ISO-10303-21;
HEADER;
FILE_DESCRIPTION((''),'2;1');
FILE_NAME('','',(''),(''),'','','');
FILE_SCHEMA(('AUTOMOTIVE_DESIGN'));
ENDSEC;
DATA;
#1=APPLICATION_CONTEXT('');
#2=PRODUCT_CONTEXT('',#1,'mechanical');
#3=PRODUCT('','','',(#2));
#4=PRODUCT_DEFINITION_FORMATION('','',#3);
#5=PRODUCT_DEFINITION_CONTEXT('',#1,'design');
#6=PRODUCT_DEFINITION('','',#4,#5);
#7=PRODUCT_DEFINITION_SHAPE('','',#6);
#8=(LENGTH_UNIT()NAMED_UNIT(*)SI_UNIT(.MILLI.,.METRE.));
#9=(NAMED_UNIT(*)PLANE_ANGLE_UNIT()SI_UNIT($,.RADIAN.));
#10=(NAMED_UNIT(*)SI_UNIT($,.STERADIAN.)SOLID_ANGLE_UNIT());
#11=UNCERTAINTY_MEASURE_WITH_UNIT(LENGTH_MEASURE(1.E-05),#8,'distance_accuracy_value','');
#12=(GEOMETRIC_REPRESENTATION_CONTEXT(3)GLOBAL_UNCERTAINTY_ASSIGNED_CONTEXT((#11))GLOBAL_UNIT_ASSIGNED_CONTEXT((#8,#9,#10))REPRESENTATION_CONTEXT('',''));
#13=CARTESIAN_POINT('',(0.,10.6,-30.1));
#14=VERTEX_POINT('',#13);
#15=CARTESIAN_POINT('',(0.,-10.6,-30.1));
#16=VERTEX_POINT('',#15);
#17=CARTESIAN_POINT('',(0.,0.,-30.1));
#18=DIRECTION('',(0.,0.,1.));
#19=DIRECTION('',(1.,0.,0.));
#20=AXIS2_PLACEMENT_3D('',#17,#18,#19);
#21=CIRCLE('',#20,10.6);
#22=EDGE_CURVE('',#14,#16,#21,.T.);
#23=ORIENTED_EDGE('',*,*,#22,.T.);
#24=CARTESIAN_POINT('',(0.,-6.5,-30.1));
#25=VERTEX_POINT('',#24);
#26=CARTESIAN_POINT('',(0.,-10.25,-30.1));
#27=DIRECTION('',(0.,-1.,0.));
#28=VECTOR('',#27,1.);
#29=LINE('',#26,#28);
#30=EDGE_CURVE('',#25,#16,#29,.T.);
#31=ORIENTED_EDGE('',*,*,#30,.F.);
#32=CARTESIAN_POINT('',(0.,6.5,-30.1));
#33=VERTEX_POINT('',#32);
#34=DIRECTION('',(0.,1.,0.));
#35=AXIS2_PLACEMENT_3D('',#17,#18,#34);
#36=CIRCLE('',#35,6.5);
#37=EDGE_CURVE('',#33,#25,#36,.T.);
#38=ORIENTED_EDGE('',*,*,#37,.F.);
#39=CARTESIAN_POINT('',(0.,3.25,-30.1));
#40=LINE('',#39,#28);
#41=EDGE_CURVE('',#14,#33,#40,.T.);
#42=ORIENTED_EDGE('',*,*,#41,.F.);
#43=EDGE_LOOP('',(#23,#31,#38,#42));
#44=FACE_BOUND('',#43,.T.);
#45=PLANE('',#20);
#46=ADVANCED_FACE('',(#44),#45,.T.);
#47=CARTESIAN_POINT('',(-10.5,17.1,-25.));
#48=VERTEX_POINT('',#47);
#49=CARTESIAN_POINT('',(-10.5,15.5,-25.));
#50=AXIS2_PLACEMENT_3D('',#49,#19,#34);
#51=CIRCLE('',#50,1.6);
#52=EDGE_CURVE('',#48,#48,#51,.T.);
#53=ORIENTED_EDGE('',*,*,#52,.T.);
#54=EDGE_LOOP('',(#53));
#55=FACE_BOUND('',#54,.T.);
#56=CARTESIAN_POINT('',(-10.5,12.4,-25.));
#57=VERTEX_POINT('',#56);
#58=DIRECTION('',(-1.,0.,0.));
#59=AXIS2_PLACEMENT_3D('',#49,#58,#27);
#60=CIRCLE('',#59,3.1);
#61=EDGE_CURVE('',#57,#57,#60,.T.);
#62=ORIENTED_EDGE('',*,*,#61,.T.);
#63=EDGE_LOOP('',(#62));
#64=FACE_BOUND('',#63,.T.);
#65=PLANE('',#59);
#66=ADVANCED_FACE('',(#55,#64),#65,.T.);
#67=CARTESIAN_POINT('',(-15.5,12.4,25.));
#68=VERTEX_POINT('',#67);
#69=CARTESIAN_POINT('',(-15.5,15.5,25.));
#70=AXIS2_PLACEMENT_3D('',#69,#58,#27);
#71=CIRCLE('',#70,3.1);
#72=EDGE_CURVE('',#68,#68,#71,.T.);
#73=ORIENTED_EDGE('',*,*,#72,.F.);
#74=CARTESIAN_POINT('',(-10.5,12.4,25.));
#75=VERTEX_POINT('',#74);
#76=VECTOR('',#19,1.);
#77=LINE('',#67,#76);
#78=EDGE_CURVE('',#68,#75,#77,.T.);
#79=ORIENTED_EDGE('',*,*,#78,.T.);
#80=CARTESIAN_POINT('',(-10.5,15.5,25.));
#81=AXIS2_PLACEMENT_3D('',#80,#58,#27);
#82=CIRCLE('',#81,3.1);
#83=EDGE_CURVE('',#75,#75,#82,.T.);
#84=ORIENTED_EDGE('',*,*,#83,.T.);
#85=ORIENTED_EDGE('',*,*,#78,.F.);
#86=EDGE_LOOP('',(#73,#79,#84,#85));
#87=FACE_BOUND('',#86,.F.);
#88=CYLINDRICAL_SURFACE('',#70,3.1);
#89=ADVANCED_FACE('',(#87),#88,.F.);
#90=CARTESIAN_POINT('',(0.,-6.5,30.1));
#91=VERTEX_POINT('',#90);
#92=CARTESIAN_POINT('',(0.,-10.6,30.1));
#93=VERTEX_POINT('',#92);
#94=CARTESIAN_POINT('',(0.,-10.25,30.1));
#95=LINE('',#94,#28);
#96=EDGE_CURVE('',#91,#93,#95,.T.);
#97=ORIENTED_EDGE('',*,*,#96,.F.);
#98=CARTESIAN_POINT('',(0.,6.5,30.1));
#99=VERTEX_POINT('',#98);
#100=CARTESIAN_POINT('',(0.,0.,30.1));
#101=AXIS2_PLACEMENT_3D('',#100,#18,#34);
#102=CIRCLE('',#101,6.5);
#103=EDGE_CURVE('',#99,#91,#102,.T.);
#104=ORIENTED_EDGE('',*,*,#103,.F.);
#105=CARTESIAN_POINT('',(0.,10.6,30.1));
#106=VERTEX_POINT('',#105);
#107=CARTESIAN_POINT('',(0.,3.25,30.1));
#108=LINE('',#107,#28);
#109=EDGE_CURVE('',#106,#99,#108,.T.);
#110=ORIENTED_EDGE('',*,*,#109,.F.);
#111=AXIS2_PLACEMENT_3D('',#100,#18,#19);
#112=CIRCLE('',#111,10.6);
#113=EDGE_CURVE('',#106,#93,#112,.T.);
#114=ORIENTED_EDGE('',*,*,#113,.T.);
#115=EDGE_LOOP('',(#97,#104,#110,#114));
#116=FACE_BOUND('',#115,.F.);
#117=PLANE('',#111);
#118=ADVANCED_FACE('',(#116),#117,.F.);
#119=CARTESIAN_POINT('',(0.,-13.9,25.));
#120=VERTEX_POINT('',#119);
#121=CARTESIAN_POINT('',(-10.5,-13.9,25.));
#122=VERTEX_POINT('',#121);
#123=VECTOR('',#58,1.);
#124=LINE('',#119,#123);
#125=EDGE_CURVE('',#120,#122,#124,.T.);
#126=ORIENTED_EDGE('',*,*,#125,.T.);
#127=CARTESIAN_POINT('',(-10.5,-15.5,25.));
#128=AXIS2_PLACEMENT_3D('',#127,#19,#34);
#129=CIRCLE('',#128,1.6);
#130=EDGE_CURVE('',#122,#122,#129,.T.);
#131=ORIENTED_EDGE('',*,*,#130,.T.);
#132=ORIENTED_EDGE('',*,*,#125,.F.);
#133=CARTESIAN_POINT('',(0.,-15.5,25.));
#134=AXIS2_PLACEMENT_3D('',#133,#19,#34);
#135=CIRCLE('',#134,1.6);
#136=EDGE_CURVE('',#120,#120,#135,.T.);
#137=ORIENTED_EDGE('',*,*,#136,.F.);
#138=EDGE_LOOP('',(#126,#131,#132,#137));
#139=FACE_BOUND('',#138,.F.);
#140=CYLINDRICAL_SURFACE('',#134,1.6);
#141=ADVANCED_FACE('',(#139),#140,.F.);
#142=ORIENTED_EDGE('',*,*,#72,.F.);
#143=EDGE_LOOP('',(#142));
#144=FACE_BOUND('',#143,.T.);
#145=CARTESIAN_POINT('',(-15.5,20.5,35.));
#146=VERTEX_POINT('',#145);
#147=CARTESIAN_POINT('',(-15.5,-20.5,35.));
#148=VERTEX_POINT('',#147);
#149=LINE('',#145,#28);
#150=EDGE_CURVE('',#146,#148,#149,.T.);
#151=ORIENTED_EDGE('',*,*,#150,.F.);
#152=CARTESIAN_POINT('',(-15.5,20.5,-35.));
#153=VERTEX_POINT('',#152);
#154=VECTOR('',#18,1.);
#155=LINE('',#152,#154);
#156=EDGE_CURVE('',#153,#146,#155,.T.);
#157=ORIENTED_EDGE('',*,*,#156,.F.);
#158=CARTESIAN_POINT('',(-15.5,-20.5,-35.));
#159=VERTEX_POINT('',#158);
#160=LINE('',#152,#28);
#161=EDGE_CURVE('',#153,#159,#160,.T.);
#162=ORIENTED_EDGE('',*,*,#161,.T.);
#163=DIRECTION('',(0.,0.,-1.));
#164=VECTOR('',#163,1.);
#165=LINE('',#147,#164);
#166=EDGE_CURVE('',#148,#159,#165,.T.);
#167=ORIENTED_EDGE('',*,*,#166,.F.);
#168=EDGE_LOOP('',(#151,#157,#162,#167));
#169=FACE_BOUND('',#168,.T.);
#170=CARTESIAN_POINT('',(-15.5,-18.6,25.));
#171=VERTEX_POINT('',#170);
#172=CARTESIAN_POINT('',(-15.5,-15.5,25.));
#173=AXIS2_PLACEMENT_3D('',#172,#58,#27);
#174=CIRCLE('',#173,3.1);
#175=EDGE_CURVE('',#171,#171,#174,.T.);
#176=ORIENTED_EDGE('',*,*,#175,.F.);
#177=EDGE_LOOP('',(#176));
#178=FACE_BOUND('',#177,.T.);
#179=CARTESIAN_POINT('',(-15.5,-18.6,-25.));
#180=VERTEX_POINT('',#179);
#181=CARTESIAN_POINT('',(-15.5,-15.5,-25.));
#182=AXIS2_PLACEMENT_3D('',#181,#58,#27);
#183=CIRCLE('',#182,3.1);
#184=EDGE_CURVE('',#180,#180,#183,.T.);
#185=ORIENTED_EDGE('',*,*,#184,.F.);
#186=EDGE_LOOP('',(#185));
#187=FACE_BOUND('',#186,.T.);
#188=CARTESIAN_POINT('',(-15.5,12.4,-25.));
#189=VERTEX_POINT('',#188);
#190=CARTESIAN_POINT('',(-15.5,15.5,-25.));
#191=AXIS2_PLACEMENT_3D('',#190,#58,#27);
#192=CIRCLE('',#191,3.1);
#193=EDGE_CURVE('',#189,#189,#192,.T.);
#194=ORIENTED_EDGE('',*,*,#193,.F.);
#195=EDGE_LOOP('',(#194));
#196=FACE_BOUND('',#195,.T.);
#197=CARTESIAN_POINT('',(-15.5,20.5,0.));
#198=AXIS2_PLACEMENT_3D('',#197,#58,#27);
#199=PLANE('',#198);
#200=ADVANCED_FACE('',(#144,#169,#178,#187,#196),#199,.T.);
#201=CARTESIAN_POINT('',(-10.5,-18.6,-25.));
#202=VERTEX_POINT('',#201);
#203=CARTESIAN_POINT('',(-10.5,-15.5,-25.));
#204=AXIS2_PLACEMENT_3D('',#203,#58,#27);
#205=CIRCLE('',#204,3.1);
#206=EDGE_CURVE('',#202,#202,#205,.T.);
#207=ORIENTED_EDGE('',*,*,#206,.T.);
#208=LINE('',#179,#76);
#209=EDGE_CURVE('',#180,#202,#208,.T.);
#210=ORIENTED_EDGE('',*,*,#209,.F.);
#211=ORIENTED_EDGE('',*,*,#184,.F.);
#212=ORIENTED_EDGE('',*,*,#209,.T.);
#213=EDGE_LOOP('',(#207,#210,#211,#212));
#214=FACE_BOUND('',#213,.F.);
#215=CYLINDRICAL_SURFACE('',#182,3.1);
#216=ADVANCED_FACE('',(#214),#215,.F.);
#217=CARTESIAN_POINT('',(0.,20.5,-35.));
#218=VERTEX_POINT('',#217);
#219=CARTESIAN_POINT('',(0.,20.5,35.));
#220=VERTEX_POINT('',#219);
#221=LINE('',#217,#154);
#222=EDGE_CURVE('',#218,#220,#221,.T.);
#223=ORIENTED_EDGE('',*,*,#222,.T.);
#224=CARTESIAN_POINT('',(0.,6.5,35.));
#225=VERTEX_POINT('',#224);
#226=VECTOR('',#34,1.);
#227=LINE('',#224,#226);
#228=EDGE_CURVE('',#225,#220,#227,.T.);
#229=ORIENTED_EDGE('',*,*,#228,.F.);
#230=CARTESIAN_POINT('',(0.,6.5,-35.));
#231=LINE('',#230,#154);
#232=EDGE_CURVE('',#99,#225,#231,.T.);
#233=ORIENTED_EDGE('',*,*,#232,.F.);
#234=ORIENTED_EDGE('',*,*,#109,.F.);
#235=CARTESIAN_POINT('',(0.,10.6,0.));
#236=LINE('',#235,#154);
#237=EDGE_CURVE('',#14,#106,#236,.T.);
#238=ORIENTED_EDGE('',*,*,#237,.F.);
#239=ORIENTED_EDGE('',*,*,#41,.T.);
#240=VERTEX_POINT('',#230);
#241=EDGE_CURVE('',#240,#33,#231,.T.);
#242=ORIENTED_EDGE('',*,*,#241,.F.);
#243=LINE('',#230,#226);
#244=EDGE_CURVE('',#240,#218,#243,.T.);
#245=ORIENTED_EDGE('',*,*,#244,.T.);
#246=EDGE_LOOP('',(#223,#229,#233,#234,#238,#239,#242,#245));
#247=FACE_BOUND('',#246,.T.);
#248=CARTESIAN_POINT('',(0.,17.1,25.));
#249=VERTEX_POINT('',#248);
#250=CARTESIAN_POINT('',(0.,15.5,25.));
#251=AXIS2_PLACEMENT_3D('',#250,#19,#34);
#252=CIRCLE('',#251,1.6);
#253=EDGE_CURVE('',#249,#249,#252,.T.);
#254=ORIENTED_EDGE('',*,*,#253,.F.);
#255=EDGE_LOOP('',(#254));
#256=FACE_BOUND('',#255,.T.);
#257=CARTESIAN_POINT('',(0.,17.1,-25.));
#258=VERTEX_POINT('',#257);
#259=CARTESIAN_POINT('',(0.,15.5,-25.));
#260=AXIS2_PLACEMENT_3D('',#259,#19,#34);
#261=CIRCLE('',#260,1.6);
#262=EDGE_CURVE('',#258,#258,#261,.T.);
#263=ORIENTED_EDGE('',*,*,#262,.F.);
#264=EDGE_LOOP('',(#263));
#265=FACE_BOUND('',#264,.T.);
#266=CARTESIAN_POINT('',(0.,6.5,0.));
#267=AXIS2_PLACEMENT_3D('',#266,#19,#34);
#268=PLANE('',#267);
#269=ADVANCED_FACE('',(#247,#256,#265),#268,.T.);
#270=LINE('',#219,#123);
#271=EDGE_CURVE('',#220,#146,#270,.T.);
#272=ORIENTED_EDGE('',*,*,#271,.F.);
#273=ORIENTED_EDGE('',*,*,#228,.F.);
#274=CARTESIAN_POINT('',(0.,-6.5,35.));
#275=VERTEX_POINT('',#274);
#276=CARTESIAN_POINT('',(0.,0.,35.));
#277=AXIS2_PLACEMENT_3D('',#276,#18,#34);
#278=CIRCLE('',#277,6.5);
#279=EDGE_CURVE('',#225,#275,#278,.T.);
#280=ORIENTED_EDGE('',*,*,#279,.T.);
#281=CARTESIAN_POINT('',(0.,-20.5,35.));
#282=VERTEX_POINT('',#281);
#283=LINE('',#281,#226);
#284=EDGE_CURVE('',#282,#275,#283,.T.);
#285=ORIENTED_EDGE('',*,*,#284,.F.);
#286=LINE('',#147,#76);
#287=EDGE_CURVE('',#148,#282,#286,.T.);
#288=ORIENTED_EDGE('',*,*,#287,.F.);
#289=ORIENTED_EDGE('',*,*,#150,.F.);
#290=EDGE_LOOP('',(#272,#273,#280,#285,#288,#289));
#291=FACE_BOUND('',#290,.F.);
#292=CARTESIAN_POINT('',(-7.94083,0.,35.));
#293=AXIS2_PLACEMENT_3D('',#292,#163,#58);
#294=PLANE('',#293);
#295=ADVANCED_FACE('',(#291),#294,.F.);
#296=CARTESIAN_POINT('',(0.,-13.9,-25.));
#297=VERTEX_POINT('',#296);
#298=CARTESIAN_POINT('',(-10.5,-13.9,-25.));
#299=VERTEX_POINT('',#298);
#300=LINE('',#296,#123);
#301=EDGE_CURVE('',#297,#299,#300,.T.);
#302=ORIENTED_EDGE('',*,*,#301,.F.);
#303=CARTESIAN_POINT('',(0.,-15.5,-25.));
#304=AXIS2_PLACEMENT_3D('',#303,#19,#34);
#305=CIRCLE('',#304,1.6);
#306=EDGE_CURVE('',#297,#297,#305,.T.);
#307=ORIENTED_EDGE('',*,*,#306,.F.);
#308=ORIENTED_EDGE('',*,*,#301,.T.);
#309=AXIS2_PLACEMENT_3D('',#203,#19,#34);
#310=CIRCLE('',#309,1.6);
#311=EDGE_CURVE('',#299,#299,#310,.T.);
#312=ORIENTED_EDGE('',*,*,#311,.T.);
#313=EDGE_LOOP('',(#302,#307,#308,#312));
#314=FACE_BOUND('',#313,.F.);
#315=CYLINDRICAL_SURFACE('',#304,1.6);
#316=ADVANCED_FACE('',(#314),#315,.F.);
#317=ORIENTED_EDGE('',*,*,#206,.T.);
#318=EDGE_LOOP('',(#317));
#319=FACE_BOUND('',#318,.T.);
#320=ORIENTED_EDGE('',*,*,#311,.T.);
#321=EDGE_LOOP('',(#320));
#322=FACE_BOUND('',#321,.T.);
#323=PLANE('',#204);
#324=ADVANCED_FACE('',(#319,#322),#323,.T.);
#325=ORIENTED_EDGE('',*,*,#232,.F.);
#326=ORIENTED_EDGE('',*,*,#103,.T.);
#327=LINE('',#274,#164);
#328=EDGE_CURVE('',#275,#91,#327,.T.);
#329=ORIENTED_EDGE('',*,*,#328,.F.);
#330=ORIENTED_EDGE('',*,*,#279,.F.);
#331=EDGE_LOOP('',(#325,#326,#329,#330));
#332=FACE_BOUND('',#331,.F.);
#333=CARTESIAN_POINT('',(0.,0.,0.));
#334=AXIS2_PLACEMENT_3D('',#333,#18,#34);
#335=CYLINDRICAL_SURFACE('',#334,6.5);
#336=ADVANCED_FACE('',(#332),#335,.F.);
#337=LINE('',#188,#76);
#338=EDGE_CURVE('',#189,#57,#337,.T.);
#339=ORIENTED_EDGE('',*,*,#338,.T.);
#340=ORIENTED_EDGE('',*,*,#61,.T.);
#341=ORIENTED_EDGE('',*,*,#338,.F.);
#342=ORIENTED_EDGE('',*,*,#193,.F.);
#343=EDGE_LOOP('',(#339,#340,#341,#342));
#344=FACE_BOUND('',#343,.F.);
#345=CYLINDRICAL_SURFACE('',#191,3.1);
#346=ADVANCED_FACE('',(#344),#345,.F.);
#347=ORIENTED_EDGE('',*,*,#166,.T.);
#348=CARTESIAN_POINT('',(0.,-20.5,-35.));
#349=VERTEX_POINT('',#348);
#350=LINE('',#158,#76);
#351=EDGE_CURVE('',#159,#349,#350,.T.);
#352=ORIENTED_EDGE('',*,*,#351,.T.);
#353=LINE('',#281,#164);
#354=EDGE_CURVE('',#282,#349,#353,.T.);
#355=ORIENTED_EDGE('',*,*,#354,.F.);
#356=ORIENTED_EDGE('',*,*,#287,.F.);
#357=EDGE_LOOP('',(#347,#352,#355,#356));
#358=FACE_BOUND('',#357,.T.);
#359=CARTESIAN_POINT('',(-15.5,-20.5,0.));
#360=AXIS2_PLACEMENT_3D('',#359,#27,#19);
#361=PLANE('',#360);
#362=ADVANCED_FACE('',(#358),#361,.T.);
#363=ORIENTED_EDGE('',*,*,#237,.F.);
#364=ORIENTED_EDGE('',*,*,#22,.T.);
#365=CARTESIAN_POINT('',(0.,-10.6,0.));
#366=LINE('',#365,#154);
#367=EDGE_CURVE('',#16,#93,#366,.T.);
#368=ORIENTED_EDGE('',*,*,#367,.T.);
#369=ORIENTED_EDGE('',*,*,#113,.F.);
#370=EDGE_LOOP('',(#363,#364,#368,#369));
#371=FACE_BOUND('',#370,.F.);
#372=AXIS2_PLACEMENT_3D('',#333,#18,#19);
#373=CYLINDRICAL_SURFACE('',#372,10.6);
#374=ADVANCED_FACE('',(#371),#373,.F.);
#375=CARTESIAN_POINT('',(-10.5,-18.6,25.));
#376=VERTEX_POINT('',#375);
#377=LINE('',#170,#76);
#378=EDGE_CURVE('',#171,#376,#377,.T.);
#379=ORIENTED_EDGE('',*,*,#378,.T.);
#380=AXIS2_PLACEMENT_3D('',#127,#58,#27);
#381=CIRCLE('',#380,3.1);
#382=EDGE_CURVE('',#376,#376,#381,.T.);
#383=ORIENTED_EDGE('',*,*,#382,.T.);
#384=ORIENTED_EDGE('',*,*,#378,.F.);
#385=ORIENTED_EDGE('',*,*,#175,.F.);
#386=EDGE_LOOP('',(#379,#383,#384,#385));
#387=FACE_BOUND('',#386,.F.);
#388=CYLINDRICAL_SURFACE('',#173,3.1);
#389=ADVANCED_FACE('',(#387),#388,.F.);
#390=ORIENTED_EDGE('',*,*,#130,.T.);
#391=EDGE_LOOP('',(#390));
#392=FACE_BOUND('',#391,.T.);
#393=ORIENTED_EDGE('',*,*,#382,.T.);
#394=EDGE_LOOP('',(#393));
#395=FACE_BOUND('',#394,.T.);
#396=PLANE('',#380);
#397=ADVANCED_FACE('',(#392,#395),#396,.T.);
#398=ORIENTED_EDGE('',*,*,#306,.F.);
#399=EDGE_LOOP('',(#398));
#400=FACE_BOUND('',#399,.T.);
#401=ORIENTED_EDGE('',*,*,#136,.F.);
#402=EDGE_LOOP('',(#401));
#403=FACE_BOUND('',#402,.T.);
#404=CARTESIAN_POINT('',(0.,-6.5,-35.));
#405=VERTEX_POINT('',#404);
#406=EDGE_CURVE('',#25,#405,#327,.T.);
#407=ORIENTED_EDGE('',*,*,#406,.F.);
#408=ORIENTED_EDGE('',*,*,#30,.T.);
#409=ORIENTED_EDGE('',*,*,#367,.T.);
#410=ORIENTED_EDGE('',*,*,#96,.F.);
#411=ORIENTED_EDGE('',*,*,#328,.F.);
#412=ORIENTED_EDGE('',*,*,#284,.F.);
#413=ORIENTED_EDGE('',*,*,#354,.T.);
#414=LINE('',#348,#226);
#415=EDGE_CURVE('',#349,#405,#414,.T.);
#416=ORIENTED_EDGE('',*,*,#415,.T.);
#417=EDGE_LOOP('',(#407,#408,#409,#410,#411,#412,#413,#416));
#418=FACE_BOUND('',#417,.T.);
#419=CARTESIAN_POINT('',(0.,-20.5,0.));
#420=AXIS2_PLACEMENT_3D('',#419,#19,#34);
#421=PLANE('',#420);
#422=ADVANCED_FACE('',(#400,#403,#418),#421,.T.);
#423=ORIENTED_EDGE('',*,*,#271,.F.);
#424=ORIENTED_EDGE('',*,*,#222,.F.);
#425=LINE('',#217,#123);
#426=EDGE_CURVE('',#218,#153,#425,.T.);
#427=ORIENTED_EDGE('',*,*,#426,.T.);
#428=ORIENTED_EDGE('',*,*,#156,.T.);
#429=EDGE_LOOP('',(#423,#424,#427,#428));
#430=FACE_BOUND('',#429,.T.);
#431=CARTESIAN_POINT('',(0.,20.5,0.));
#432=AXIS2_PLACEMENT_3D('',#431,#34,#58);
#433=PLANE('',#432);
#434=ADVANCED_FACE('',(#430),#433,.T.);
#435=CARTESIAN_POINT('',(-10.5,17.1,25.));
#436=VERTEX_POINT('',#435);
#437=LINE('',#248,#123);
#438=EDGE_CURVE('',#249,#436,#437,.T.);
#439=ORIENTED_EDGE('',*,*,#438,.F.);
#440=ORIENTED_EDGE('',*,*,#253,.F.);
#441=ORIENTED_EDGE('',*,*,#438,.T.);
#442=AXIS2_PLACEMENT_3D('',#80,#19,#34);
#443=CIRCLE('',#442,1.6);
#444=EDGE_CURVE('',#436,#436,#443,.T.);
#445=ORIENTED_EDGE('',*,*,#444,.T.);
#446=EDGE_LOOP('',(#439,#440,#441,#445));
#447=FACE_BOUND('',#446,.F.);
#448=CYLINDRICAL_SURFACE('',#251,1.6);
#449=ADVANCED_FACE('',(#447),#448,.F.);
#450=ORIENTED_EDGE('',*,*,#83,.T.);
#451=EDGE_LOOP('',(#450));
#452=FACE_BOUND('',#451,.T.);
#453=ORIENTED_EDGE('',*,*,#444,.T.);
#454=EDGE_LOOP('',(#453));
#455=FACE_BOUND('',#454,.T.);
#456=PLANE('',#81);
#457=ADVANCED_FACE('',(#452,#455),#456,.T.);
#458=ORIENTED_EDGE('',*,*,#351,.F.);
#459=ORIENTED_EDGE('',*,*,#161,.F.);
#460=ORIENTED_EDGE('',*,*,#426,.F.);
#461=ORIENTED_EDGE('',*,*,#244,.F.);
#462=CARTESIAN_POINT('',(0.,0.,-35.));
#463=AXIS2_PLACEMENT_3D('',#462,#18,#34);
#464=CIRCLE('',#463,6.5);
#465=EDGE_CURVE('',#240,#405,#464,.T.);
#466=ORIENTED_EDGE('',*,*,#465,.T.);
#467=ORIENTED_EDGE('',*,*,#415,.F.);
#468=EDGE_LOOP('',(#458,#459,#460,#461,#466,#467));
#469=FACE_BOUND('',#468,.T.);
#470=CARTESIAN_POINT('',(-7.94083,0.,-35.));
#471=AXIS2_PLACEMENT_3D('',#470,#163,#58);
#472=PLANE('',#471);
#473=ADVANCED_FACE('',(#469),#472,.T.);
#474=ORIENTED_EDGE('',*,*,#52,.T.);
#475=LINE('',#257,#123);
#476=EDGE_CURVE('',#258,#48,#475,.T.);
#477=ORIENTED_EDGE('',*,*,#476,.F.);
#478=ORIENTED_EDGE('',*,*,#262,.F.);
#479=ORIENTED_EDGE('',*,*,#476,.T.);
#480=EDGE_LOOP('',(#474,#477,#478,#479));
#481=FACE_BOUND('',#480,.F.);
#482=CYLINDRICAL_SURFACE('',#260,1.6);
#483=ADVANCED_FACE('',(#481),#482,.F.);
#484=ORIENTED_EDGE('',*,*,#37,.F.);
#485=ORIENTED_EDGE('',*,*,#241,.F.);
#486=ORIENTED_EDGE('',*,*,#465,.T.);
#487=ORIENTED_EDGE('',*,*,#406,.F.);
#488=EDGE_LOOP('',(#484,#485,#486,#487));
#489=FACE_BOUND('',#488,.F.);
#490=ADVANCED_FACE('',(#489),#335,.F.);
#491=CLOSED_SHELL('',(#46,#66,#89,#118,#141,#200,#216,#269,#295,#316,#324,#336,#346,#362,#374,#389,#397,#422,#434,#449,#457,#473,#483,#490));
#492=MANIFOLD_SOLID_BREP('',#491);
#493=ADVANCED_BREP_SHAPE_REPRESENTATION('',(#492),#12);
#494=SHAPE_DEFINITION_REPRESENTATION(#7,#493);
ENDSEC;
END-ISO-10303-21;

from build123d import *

# Parameters (mm, degrees)
PAD_DEPTH       = 35
SKETCH001_R     = 10.6
POCKET_DEPTH    = 30.1
SKETCH002_R     = 1.6
POCKET001_DEPTH = 15.501
SKETCH003_R     = 3.1
POCKET002_DEPTH = 5


with BuildPart() as part:
    # Sketch → Pad (new body, symmetric)
    with BuildSketch(Plane.XY):
        with BuildLine():
            ThreePointArc((0, 6.5), (-6.5, 0), (0, -6.5))
            Line((0, -20.5), (0, -6.5))
            Line((-15.5, -20.5), (0, -20.5))
            Line((-15.5, 20.5), (-15.5, -20.5))
            Line((0, 20.5), (-15.5, 20.5))
            Line((0, 6.5), (0, 20.5))
        make_face()
    extrude(amount=PAD_DEPTH, both=True)

    # Sketch001 → Pocket (cut, symmetric)
    with BuildSketch(Plane.XY):
        Circle(SKETCH001_R)
    extrude(amount=POCKET_DEPTH, both=True, mode=Mode.SUBTRACT)

    # Sketch002 → Pocket001 (cut, through all)
    with BuildSketch(Plane.YZ):
        with Locations((-15.5, 25)):
            Circle(SKETCH002_R)
        with Locations((-15.5, -25)):
            Circle(SKETCH002_R)
        with Locations((15.5, 25)):
            Circle(SKETCH002_R)
        with Locations((15.5, -25)):
            Circle(SKETCH002_R)
    extrude(amount=-POCKET001_DEPTH, mode=Mode.SUBTRACT)

    # Sketch003 (on Face7 of Pocket001) → Pocket002 (cut)
    with BuildSketch(Plane(origin=(-15.5, 0, 0), x_dir=(0, -1, 0), z_dir=(-1, 0, 0))):
        with Locations((-15.5, 25)):
            Circle(SKETCH003_R)
        with Locations((15.5, 25)):
            Circle(SKETCH003_R)
        with Locations((15.5, -25)):
            Circle(SKETCH003_R)
        with Locations((-15.5, -25)):
            Circle(SKETCH003_R)
    extrude(amount=-POCKET002_DEPTH, mode=Mode.SUBTRACT)


solid = part.part
